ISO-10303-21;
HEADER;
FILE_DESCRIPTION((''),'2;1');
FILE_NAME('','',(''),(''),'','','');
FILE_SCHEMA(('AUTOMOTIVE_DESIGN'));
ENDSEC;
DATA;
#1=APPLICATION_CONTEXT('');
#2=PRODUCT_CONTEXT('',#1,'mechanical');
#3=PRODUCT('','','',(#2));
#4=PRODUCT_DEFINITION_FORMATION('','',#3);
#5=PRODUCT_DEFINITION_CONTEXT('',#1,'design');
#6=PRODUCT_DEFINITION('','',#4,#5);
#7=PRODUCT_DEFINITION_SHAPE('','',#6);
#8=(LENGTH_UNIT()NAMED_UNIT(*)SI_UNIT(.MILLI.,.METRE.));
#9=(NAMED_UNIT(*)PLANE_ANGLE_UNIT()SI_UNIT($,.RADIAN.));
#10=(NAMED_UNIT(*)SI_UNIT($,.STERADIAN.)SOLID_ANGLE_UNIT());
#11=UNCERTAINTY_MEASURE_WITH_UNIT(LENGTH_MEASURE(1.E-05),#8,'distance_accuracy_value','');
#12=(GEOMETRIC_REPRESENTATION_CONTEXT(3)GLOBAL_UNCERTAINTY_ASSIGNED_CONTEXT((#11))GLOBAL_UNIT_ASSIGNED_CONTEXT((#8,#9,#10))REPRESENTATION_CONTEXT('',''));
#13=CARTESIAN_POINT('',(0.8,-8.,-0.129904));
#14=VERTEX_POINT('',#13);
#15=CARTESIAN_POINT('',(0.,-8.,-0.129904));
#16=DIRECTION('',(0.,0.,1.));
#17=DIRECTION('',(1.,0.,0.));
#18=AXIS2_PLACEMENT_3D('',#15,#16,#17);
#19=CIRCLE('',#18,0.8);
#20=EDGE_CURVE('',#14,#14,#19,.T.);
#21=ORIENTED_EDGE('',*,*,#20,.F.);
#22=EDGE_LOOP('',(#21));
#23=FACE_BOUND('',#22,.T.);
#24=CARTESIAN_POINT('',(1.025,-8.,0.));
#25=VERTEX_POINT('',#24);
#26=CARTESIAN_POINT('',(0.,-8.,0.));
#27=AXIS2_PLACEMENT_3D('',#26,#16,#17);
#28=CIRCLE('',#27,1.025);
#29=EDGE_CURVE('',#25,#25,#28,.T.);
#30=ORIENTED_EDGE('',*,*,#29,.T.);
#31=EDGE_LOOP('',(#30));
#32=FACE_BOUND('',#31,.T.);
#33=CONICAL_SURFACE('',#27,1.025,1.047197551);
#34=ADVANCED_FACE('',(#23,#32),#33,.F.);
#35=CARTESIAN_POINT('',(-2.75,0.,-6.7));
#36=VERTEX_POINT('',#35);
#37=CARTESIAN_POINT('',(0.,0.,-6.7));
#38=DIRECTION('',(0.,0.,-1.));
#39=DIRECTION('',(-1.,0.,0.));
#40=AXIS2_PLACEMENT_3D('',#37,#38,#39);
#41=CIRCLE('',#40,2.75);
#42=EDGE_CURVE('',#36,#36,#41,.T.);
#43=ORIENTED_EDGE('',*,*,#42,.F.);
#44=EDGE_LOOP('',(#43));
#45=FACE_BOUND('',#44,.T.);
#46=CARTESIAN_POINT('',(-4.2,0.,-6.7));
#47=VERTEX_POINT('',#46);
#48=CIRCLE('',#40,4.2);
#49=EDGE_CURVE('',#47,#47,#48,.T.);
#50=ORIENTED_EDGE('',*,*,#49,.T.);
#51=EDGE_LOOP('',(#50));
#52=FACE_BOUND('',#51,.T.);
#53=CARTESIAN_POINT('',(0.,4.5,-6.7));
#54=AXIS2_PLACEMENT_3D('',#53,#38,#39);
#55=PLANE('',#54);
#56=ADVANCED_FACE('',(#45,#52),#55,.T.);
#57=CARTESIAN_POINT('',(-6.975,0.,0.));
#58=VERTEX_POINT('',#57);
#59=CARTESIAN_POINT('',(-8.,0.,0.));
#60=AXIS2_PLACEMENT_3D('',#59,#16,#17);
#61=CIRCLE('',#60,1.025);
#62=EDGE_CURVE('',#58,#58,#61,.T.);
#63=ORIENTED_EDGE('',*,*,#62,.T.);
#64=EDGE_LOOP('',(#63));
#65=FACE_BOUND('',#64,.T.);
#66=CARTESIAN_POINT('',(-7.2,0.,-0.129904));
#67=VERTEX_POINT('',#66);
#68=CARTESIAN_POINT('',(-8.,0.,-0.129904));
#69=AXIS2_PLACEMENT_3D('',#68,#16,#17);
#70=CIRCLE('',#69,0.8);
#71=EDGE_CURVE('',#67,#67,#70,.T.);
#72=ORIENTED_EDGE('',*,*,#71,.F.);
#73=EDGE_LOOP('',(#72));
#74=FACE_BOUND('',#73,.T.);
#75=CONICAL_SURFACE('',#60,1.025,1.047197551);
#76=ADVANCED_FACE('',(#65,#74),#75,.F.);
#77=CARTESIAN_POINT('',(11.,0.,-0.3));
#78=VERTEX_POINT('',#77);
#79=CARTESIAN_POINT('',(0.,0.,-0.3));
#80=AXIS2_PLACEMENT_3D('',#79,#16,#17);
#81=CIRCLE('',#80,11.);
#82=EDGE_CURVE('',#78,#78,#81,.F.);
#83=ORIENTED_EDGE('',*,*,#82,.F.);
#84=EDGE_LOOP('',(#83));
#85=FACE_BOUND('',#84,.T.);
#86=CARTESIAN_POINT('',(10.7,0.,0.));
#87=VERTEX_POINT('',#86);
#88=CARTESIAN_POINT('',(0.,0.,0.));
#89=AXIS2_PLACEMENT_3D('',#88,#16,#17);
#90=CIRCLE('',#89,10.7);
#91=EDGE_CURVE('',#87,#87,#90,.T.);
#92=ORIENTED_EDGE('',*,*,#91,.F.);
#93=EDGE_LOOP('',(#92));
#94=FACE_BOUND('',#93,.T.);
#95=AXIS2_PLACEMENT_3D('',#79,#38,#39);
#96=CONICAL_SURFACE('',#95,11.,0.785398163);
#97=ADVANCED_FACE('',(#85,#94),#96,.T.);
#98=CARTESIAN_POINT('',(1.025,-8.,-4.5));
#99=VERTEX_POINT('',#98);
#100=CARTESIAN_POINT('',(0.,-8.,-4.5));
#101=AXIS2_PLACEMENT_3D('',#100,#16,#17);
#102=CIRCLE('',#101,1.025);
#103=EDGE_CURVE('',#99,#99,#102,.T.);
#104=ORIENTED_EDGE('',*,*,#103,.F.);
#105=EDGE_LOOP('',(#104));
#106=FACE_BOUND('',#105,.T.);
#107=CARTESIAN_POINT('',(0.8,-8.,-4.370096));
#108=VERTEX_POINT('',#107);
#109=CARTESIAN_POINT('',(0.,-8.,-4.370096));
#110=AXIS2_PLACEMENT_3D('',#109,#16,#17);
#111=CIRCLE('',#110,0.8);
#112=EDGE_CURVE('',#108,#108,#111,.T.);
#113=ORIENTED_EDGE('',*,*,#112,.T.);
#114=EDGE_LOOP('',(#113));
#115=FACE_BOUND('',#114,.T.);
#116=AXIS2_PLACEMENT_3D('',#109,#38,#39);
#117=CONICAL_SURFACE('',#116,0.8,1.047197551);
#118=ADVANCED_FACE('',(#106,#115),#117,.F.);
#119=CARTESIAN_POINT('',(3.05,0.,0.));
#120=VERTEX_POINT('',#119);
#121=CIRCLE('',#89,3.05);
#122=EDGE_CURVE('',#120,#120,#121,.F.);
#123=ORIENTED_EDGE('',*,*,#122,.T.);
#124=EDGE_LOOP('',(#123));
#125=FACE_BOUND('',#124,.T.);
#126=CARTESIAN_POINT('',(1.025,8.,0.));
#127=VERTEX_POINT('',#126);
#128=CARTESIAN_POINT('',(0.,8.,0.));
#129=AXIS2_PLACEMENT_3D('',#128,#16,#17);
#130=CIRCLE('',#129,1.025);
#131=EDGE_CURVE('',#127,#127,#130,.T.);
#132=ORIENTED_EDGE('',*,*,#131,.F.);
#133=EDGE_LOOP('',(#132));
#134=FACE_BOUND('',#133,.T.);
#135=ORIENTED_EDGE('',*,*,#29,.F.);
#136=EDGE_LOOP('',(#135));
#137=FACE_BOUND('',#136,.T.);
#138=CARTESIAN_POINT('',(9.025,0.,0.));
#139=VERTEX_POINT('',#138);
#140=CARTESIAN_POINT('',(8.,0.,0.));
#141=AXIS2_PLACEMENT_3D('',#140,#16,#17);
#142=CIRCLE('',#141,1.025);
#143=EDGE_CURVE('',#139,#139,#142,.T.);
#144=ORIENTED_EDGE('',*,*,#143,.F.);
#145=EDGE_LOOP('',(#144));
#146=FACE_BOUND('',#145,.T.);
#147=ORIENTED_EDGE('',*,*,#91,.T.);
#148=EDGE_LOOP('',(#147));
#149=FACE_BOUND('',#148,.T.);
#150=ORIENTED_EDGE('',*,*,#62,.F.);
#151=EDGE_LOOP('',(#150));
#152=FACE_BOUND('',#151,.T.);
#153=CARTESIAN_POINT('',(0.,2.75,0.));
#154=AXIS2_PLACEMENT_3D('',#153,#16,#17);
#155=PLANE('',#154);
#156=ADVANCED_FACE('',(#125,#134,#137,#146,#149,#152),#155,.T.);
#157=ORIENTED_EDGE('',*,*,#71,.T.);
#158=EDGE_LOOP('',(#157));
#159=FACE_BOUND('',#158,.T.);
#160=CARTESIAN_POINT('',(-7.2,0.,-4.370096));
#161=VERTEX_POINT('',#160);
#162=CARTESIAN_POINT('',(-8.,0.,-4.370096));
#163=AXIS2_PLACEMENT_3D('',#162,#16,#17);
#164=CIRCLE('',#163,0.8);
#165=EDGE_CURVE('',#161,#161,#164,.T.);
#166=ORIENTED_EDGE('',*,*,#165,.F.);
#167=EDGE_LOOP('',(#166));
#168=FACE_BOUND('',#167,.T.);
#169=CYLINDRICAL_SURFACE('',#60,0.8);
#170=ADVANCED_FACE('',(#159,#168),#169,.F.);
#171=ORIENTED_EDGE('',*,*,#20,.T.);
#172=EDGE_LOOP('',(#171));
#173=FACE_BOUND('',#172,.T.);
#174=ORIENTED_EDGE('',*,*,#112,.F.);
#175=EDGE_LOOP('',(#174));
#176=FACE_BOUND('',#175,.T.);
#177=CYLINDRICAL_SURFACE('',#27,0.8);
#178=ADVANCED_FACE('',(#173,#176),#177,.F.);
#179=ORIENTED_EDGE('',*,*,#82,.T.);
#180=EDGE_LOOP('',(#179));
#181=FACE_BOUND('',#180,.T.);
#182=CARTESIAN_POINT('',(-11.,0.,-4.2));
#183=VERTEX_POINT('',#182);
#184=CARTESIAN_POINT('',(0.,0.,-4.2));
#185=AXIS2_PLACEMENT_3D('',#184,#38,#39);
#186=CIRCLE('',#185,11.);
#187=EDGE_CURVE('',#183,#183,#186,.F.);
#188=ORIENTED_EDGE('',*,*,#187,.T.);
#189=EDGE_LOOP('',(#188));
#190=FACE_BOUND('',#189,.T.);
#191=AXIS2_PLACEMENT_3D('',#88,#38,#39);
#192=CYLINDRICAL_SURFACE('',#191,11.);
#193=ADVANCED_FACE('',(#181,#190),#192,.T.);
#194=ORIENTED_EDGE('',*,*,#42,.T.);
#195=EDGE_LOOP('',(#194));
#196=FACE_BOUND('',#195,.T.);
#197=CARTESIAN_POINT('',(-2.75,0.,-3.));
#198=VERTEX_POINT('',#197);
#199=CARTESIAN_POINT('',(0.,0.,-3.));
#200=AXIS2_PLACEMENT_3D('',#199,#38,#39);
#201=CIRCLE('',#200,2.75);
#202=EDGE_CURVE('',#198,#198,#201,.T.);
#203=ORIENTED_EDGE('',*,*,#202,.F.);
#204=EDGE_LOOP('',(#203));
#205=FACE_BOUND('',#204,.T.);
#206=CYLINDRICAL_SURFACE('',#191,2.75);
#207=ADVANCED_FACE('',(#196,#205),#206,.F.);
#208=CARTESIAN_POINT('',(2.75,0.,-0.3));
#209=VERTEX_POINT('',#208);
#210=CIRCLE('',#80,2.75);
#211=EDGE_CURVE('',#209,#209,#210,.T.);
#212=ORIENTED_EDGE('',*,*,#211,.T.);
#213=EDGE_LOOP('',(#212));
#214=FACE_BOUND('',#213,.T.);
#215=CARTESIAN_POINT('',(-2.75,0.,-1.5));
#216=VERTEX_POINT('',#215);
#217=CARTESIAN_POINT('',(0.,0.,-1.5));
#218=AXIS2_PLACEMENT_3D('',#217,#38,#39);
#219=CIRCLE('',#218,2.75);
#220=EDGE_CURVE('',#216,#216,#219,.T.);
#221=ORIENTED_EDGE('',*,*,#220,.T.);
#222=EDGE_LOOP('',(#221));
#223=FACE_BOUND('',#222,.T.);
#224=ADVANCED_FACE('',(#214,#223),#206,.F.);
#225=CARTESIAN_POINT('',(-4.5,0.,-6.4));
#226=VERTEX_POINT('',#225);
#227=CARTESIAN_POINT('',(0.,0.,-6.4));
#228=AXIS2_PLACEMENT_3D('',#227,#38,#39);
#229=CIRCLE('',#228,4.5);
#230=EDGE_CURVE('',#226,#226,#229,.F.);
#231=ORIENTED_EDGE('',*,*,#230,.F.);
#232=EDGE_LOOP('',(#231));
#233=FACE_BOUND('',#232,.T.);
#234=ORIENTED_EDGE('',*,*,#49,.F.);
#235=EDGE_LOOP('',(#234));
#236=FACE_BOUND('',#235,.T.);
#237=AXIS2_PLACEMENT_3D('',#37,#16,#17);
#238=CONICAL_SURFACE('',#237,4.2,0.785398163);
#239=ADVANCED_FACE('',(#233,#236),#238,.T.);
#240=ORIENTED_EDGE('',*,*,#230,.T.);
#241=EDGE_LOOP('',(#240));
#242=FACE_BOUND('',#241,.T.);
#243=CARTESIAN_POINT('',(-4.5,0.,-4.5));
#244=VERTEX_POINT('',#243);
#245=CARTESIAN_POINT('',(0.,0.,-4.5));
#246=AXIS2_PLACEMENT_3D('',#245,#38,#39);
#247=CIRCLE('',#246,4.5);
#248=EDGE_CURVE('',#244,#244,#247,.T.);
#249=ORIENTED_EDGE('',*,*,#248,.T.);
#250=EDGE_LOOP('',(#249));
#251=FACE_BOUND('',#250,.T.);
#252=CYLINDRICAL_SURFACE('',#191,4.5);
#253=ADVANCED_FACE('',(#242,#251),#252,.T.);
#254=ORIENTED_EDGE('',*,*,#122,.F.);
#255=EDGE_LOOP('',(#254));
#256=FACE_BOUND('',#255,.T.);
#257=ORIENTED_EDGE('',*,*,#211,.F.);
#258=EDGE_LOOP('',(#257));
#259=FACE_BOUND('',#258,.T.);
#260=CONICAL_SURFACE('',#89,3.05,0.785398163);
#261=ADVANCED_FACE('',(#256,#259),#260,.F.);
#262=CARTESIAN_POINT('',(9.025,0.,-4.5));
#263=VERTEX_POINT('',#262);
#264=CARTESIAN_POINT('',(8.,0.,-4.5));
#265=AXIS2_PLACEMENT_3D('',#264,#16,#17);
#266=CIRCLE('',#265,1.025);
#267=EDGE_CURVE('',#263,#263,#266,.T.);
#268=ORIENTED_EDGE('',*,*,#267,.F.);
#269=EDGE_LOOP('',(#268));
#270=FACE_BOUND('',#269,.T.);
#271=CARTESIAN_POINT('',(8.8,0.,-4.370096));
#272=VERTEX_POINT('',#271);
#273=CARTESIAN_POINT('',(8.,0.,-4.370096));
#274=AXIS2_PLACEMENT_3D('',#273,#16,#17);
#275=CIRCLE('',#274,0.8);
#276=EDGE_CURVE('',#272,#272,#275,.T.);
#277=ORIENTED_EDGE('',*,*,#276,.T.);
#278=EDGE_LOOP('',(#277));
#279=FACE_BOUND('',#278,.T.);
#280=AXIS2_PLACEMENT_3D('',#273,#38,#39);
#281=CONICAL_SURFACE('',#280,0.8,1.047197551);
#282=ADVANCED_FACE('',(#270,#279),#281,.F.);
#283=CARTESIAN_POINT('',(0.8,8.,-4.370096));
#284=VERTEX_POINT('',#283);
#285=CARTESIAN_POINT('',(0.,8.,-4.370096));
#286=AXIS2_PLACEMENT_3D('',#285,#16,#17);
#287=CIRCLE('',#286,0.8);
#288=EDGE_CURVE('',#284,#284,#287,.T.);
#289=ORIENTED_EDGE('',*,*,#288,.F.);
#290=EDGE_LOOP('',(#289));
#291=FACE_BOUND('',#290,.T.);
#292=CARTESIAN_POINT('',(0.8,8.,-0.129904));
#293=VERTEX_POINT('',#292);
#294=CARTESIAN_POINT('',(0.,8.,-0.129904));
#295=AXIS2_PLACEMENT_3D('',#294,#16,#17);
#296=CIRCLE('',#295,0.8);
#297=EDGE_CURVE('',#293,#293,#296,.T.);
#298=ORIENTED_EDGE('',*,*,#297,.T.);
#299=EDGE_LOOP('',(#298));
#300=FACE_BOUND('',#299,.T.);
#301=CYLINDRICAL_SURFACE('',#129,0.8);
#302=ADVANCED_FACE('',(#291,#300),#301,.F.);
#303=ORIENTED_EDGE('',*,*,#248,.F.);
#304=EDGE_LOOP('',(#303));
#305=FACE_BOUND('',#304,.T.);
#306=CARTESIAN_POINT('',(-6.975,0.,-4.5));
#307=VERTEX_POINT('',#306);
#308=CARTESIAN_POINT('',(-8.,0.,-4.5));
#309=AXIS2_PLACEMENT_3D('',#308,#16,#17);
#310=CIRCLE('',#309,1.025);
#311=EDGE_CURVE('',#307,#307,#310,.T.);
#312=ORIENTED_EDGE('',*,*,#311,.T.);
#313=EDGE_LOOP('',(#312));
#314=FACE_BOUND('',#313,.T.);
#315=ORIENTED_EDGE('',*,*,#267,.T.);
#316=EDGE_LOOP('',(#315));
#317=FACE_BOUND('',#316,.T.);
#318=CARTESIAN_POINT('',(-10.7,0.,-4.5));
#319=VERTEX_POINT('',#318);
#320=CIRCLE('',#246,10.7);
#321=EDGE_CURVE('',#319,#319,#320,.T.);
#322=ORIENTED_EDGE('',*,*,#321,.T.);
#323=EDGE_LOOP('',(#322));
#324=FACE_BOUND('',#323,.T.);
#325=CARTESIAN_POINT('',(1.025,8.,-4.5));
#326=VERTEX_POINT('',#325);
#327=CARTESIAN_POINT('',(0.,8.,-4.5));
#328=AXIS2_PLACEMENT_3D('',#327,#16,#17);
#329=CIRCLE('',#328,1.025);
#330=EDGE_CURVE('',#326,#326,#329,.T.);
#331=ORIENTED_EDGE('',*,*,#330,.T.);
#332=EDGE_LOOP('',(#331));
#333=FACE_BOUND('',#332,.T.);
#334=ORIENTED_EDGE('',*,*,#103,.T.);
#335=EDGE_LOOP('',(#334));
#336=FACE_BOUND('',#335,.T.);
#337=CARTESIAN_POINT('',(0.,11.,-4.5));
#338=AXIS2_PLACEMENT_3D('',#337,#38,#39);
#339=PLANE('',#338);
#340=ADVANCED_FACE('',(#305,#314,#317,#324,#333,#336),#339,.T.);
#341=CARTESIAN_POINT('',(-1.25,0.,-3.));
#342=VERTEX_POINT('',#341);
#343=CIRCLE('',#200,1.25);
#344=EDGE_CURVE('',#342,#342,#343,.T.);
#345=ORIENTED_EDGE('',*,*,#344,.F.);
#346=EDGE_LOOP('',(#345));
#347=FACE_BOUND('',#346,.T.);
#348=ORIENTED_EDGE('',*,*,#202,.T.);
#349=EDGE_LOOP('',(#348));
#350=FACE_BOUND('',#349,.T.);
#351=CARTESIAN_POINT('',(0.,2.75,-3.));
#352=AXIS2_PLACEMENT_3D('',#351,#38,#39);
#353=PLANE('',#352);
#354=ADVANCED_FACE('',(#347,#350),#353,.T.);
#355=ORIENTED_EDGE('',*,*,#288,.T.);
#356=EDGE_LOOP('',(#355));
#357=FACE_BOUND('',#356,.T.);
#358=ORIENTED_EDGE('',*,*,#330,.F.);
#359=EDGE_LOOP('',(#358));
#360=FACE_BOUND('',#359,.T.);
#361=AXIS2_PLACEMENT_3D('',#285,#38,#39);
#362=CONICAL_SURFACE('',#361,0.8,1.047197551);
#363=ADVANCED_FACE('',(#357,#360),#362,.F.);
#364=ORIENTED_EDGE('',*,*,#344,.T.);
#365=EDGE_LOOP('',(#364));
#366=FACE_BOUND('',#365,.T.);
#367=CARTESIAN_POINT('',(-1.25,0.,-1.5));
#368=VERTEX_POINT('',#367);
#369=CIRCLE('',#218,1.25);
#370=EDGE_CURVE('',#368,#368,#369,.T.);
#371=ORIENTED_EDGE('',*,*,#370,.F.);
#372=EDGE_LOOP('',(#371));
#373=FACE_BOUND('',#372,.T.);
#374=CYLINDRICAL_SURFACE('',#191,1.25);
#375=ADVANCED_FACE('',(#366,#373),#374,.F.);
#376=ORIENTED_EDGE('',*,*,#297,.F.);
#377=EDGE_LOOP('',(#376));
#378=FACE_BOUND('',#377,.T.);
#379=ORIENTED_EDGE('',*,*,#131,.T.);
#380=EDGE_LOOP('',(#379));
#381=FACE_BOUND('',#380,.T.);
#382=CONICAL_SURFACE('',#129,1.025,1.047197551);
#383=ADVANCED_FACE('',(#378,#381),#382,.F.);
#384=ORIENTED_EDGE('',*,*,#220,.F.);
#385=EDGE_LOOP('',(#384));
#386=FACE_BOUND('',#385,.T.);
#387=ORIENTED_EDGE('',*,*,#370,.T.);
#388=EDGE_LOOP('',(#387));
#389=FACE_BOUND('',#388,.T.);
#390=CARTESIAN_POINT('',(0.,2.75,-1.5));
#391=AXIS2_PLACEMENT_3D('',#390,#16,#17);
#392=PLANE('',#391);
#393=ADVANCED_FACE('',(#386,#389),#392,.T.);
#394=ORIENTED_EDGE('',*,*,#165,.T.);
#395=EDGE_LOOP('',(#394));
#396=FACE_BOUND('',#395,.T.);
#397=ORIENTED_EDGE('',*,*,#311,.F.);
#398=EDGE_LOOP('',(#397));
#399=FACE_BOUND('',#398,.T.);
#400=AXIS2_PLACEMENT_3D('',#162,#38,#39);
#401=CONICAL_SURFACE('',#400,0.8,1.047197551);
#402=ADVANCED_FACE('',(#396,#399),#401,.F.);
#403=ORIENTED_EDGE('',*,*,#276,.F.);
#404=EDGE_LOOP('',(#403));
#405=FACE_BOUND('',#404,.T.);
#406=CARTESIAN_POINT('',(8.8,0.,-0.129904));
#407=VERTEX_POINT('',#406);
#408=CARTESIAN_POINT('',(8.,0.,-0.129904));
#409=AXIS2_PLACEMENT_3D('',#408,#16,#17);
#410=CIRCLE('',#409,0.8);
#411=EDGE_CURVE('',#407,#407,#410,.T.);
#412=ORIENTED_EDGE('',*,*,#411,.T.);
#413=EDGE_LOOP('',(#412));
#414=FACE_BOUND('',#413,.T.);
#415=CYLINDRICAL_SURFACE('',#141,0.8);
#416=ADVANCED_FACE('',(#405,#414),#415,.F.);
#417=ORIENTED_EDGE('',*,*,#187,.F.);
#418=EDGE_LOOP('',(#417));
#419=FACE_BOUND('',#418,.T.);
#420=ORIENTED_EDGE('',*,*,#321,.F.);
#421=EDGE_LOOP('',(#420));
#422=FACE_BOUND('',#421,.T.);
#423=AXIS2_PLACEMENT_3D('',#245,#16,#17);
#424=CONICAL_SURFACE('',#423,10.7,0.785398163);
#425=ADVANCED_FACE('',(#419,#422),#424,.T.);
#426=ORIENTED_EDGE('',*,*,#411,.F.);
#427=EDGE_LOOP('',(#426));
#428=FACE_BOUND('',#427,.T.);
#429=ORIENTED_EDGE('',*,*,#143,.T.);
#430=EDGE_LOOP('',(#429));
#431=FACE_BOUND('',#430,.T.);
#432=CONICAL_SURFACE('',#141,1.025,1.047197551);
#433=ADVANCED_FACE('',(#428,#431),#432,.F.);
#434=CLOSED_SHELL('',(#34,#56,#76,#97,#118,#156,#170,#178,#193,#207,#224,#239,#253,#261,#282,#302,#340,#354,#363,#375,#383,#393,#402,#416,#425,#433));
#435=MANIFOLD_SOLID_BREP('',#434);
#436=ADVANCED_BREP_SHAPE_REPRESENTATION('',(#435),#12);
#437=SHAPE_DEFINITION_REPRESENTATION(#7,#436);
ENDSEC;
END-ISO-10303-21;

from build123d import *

# Parameters (mm, degrees)
M2_TAPPED_HOLE1_AT_2_COUNT = 2
M2_TAPPED_HOLE1_AT_2_PITCH = 11.313708499
M2_TAPPED_HOLE1_AT_3_COUNT = 2
M2_TAPPED_HOLE1_AT_3_PITCH = 16
M2_TAPPED_HOLE1_AT_4_COUNT = 2
M2_TAPPED_HOLE1_AT_4_PITCH = 11.313708499
M2_TAPPED_HOLE1_AT_5_COUNT = 2
M2_TAPPED_HOLE1_AT_5_PITCH = 8
CHAMFER1_SIZE              = 0.3


with BuildPart() as part:
    # Sketch1 → Revolve1 (revolve)
    with BuildSketch(Plane(origin=(0, 0, 0), x_dir=(0, 0, -1), z_dir=(1, 0, 0))):
        Polygon((3, 1.25), (1.5, 1.25), (1.5, 2.75), (0, 2.75), (0, 11), (4.5, 11), (4.5, 4.5), (6.7, 4.5), (6.7, 2.75), (3, 2.75), align=None)
    revolve(axis=Axis((0, 0, 0), (0, 0, 1)))

    # Sketch4 → M2 Tapped Hole1 (revolve, cut)
    with BuildSketch(Plane(origin=(0, 8, 0), x_dir=(0, -1, 0), z_dir=(1, 0, 0))):
        Polygon((0, 0), (0, 4.5), (1.025, 4.5), (0.8, 4.370096189), (0.8, 0.129903811), (1.025, 0), align=None)
    m2_tapped_hole1 = revolve(axis=Axis((0, 8, 6.35), (0, 0, -1)), mode=Mode.SUBTRACT)

    # M2 Tapped Hole1 at 2: M2 Tapped Hole1 ×2
    with Locations(*[Vector(0.707106781, -0.707106781, 0) * (i * M2_TAPPED_HOLE1_AT_2_PITCH) for i in range(1, M2_TAPPED_HOLE1_AT_2_COUNT)]):
        add(m2_tapped_hole1, mode=Mode.SUBTRACT)

    # M2 Tapped Hole1 at 3: M2 Tapped Hole1 ×2
    with Locations(*[(0, -i * M2_TAPPED_HOLE1_AT_3_PITCH, 0) for i in range(1, M2_TAPPED_HOLE1_AT_3_COUNT)]):
        add(m2_tapped_hole1, mode=Mode.SUBTRACT)

    # M2 Tapped Hole1 at 4: M2 Tapped Hole1 ×2
    with Locations(*[Vector(-0.707106781, -0.707106781, 0) * (i * M2_TAPPED_HOLE1_AT_4_PITCH) for i in range(1, M2_TAPPED_HOLE1_AT_4_COUNT)]):
        add(m2_tapped_hole1, mode=Mode.SUBTRACT)

    # M2 Tapped Hole1 at 5: M2 Tapped Hole1 ×2
    with Locations(*[(0, -i * M2_TAPPED_HOLE1_AT_5_PITCH, 0) for i in range(1, M2_TAPPED_HOLE1_AT_5_COUNT)]):
        add(m2_tapped_hole1, mode=Mode.SUBTRACT)

    # Chamfer1
    chamfer1_edges = [part.edges().sort_by_distance(p)[0] for p in [
        (0, -11, -4.5),
        (0, -11, 0),
        (0, -2.75, 0),
        (0, -4.5, -6.7),
    ]]
    chamfer(chamfer1_edges, length=CHAMFER1_SIZE)


solid = part.part
